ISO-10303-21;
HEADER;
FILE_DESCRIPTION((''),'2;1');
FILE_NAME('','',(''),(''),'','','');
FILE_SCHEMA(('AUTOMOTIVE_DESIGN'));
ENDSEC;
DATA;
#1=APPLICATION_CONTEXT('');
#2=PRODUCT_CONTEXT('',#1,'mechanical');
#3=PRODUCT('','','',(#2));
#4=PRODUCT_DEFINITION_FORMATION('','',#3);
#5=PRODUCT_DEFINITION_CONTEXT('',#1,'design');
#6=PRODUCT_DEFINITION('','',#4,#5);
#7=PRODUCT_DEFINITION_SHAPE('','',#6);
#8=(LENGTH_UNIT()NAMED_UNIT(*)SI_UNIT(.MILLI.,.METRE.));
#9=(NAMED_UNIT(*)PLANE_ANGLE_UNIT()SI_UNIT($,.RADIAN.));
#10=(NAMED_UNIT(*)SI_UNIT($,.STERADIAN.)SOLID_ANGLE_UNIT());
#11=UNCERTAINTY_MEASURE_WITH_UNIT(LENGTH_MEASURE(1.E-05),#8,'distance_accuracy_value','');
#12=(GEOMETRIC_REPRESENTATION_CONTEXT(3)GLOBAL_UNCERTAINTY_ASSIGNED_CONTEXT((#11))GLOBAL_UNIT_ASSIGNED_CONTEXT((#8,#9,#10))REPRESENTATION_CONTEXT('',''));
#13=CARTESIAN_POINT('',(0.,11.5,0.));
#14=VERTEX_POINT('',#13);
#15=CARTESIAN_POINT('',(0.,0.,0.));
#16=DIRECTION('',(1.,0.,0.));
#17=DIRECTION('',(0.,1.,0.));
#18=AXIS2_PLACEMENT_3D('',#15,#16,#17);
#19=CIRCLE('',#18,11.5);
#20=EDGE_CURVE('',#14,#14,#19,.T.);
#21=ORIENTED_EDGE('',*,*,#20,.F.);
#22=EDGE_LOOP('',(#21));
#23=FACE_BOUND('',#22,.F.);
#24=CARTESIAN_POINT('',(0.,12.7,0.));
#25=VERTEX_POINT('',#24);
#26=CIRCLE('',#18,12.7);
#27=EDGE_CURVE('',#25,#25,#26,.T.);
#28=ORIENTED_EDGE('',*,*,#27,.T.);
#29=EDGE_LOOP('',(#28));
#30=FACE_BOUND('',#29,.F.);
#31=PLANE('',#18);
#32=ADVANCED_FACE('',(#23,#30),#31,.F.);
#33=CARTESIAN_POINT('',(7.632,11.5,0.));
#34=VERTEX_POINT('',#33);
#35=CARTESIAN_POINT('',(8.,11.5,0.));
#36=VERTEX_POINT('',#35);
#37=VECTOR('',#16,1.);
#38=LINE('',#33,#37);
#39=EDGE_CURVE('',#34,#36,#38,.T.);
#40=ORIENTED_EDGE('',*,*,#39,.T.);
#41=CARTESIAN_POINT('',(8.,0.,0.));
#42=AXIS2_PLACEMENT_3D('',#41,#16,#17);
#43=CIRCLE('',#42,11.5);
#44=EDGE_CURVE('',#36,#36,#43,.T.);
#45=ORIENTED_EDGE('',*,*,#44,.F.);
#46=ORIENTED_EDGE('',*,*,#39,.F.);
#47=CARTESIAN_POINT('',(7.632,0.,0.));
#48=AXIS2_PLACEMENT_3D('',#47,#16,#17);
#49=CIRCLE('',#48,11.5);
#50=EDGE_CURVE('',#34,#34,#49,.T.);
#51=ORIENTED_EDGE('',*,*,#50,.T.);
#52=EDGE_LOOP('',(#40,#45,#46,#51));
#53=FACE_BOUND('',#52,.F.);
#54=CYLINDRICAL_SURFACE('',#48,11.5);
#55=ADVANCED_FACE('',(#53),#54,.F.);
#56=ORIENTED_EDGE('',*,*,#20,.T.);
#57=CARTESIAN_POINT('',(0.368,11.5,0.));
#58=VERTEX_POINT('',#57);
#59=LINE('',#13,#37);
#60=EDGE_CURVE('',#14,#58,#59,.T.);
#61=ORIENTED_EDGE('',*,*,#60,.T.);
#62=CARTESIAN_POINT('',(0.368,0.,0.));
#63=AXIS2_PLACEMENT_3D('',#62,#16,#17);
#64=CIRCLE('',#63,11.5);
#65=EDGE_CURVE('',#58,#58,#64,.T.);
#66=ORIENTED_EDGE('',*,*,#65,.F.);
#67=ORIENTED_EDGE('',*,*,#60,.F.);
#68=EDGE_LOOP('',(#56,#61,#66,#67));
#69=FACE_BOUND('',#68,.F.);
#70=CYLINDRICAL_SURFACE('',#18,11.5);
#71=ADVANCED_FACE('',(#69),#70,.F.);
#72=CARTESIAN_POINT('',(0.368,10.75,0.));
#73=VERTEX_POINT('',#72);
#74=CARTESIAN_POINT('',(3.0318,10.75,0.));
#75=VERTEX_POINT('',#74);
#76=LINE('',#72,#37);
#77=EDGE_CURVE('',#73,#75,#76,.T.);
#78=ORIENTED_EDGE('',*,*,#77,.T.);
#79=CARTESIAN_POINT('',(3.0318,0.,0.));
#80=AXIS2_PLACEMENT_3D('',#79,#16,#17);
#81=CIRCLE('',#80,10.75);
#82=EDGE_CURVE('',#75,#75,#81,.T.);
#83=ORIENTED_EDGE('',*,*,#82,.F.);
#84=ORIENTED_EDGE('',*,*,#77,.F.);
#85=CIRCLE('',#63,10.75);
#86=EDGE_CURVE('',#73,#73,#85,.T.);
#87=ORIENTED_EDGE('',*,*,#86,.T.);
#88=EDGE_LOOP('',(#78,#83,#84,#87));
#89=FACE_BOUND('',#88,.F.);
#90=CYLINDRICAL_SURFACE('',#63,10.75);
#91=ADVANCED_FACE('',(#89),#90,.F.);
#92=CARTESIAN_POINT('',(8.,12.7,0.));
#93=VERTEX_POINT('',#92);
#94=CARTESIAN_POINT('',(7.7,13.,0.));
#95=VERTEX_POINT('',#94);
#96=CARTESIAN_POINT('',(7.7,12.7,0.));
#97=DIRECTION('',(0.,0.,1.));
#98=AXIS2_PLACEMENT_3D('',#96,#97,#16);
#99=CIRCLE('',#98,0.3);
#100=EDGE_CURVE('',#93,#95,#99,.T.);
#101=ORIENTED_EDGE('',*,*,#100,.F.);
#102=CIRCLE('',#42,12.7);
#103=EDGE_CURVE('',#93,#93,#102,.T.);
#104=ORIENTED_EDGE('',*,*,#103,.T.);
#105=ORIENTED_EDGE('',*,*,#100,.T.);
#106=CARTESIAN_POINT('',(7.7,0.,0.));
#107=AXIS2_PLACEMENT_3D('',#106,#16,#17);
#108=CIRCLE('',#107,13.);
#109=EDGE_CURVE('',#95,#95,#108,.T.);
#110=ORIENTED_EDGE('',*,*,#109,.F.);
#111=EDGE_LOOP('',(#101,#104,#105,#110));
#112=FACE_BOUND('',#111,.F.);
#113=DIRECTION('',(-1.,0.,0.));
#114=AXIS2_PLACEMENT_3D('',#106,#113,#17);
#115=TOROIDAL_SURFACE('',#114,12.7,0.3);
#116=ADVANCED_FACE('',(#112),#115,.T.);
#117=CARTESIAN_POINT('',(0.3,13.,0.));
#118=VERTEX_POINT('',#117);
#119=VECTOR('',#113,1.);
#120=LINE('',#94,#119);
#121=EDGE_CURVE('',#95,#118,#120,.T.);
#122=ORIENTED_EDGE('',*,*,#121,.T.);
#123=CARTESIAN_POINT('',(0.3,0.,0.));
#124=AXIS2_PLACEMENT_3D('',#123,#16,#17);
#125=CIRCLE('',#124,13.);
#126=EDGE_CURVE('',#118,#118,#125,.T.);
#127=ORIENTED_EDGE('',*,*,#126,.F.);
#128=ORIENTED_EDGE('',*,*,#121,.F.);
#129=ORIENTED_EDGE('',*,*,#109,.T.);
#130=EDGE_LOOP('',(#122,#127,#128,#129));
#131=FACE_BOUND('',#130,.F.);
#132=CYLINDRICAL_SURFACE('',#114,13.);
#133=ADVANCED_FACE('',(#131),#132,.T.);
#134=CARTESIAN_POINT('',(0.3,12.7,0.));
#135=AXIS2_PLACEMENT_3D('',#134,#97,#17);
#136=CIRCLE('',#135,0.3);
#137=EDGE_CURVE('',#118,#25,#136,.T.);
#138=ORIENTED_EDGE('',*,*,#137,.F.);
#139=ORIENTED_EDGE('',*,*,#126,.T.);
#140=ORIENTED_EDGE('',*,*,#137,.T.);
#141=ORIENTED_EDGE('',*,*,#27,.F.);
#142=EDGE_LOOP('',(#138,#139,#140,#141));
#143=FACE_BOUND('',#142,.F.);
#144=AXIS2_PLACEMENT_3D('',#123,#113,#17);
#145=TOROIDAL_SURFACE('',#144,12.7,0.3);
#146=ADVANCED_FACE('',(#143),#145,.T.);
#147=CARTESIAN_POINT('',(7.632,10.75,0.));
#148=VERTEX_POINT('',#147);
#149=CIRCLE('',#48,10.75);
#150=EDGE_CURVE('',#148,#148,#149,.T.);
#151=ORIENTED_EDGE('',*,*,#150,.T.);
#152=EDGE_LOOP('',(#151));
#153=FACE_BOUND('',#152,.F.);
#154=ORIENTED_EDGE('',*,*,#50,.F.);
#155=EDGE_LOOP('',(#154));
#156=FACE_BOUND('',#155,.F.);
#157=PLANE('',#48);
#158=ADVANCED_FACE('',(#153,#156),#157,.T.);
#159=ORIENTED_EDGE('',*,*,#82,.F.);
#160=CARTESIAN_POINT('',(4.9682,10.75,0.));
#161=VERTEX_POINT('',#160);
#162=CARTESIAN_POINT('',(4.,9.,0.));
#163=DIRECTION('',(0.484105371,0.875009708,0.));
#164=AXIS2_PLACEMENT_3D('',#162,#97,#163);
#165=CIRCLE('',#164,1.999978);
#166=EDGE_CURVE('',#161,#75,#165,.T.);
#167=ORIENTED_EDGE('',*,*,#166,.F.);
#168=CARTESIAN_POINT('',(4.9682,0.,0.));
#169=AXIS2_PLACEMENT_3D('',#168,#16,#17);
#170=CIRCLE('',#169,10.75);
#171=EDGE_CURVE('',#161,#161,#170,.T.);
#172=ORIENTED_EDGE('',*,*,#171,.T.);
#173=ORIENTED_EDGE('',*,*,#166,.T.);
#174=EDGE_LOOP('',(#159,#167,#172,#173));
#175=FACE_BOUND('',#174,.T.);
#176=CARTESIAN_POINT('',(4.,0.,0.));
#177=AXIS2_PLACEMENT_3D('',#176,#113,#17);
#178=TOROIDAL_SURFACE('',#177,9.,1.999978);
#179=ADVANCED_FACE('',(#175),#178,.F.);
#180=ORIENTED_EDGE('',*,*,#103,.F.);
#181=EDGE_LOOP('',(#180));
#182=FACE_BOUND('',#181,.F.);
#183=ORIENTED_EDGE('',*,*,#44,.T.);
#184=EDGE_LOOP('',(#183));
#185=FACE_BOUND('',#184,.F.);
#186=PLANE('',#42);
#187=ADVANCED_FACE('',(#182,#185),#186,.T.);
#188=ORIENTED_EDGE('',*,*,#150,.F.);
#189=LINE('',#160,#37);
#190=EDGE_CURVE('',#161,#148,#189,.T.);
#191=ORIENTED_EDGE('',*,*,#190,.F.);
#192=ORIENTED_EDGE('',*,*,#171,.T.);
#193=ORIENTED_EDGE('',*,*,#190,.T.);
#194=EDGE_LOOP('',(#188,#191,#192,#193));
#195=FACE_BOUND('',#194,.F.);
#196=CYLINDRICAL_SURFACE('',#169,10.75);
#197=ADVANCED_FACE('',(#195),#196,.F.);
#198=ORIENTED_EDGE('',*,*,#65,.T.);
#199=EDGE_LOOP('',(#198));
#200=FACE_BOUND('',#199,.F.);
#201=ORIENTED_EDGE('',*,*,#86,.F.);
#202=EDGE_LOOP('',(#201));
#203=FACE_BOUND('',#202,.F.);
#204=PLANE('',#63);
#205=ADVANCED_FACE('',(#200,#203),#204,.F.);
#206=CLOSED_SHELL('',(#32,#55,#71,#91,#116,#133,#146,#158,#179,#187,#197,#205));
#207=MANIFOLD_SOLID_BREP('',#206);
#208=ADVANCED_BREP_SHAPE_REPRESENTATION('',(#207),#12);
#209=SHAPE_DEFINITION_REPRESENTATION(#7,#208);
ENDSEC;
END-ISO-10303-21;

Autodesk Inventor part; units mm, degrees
sketch "Sketch_1" plane through (0, 0, 0) normal (0, 0, 1) x (1, 0, 0)
  line L0 (8, 0) -> (0, 0)
  line L1 (0, 11.5) -> (0.368, 11.5)
  line L2 (0.368, 11.5) -> (0.368, 10.75)
  line L3 (0.368, 10.75) -> (3.0318, 10.75)
  arc A0 (4.9682, 10.75) -> (3.0318, 10.75) centre (4, 9) ccw
  line L4 (4.9682, 10.75) -> (7.632, 10.75)
  line L5 (7.632, 10.75) -> (7.632, 11.5)
  line L6 (7.632, 11.5) -> (8, 11.5)
  line L7 (8, 11.5) -> (8, 12.7)
  arc A1 (8, 12.7) -> (7.7, 13) centre (7.7, 12.7) ccw
  line L8 (7.7, 13) -> (0.3, 13)
  arc A2 (0.3, 13) -> (0, 12.7) centre (0.3, 12.7) ccw
  line L9 (0, 12.7) -> (0, 11.5)
revolve "Revolution1" add sketch "Sketch_1" angle 360 about axis through (8, 0, 0) along (1, 0, 0)
ref_plane "ip_cst_1_or_1_XY" through (0, 0, 0) normal (1, 0, 0) x (0, 0, -1)
ref_plane "ip_cst_1_or_1_YZ" through (0, 0, 0) normal (0, 0, -1) x (0, 1, 0)
ref_plane "ip_cst_1_or_1_ZX" through (0, 0, 0) normal (0, 1, 0) x (1, 0, 0)
ref_plane "ip_cst_1_or_2_XY" through (0, 0, 0) normal (-1, 0, 0) x (0, 0, -1)
ref_plane "ip_cst_1_or_2_YZ" through (0, 0, 0) normal (0, 0, -1) x (0, -1, 0)
ref_plane "ip_cst_1_or_2_ZX" through (0, 0, 0) normal (0, -1, 0) x (-1, 0, 0)
ref_plane "ip_cst_1_or_3_XY" through (0.368, 0, 0) normal (1, 0, 0) x (0, 0, -1)
ref_plane "ip_cst_1_or_3_YZ" through (0.368, 0, 0) normal (0, 0, -1) x (0, 1, 0)
ref_plane "ip_cst_1_or_3_ZX" through (0.368, 0, 0) normal (0, 1, 0) x (1, 0, 0)
ref_plane "ip_cst_1_or_4_XY" through (7.632, 0, 0) normal (-1, 0, 0) x (0, 0, -1)
ref_plane "ip_cst_1_or_4_YZ" through (7.632, 0, 0) normal (0, 0, -1) x (0, -1, 0)
ref_plane "ip_cst_1_or_4_ZX" through (7.632, 0, 0) normal (0, -1, 0) x (-1, 0, 0)
properties part number "6000DDU Outer ring"
